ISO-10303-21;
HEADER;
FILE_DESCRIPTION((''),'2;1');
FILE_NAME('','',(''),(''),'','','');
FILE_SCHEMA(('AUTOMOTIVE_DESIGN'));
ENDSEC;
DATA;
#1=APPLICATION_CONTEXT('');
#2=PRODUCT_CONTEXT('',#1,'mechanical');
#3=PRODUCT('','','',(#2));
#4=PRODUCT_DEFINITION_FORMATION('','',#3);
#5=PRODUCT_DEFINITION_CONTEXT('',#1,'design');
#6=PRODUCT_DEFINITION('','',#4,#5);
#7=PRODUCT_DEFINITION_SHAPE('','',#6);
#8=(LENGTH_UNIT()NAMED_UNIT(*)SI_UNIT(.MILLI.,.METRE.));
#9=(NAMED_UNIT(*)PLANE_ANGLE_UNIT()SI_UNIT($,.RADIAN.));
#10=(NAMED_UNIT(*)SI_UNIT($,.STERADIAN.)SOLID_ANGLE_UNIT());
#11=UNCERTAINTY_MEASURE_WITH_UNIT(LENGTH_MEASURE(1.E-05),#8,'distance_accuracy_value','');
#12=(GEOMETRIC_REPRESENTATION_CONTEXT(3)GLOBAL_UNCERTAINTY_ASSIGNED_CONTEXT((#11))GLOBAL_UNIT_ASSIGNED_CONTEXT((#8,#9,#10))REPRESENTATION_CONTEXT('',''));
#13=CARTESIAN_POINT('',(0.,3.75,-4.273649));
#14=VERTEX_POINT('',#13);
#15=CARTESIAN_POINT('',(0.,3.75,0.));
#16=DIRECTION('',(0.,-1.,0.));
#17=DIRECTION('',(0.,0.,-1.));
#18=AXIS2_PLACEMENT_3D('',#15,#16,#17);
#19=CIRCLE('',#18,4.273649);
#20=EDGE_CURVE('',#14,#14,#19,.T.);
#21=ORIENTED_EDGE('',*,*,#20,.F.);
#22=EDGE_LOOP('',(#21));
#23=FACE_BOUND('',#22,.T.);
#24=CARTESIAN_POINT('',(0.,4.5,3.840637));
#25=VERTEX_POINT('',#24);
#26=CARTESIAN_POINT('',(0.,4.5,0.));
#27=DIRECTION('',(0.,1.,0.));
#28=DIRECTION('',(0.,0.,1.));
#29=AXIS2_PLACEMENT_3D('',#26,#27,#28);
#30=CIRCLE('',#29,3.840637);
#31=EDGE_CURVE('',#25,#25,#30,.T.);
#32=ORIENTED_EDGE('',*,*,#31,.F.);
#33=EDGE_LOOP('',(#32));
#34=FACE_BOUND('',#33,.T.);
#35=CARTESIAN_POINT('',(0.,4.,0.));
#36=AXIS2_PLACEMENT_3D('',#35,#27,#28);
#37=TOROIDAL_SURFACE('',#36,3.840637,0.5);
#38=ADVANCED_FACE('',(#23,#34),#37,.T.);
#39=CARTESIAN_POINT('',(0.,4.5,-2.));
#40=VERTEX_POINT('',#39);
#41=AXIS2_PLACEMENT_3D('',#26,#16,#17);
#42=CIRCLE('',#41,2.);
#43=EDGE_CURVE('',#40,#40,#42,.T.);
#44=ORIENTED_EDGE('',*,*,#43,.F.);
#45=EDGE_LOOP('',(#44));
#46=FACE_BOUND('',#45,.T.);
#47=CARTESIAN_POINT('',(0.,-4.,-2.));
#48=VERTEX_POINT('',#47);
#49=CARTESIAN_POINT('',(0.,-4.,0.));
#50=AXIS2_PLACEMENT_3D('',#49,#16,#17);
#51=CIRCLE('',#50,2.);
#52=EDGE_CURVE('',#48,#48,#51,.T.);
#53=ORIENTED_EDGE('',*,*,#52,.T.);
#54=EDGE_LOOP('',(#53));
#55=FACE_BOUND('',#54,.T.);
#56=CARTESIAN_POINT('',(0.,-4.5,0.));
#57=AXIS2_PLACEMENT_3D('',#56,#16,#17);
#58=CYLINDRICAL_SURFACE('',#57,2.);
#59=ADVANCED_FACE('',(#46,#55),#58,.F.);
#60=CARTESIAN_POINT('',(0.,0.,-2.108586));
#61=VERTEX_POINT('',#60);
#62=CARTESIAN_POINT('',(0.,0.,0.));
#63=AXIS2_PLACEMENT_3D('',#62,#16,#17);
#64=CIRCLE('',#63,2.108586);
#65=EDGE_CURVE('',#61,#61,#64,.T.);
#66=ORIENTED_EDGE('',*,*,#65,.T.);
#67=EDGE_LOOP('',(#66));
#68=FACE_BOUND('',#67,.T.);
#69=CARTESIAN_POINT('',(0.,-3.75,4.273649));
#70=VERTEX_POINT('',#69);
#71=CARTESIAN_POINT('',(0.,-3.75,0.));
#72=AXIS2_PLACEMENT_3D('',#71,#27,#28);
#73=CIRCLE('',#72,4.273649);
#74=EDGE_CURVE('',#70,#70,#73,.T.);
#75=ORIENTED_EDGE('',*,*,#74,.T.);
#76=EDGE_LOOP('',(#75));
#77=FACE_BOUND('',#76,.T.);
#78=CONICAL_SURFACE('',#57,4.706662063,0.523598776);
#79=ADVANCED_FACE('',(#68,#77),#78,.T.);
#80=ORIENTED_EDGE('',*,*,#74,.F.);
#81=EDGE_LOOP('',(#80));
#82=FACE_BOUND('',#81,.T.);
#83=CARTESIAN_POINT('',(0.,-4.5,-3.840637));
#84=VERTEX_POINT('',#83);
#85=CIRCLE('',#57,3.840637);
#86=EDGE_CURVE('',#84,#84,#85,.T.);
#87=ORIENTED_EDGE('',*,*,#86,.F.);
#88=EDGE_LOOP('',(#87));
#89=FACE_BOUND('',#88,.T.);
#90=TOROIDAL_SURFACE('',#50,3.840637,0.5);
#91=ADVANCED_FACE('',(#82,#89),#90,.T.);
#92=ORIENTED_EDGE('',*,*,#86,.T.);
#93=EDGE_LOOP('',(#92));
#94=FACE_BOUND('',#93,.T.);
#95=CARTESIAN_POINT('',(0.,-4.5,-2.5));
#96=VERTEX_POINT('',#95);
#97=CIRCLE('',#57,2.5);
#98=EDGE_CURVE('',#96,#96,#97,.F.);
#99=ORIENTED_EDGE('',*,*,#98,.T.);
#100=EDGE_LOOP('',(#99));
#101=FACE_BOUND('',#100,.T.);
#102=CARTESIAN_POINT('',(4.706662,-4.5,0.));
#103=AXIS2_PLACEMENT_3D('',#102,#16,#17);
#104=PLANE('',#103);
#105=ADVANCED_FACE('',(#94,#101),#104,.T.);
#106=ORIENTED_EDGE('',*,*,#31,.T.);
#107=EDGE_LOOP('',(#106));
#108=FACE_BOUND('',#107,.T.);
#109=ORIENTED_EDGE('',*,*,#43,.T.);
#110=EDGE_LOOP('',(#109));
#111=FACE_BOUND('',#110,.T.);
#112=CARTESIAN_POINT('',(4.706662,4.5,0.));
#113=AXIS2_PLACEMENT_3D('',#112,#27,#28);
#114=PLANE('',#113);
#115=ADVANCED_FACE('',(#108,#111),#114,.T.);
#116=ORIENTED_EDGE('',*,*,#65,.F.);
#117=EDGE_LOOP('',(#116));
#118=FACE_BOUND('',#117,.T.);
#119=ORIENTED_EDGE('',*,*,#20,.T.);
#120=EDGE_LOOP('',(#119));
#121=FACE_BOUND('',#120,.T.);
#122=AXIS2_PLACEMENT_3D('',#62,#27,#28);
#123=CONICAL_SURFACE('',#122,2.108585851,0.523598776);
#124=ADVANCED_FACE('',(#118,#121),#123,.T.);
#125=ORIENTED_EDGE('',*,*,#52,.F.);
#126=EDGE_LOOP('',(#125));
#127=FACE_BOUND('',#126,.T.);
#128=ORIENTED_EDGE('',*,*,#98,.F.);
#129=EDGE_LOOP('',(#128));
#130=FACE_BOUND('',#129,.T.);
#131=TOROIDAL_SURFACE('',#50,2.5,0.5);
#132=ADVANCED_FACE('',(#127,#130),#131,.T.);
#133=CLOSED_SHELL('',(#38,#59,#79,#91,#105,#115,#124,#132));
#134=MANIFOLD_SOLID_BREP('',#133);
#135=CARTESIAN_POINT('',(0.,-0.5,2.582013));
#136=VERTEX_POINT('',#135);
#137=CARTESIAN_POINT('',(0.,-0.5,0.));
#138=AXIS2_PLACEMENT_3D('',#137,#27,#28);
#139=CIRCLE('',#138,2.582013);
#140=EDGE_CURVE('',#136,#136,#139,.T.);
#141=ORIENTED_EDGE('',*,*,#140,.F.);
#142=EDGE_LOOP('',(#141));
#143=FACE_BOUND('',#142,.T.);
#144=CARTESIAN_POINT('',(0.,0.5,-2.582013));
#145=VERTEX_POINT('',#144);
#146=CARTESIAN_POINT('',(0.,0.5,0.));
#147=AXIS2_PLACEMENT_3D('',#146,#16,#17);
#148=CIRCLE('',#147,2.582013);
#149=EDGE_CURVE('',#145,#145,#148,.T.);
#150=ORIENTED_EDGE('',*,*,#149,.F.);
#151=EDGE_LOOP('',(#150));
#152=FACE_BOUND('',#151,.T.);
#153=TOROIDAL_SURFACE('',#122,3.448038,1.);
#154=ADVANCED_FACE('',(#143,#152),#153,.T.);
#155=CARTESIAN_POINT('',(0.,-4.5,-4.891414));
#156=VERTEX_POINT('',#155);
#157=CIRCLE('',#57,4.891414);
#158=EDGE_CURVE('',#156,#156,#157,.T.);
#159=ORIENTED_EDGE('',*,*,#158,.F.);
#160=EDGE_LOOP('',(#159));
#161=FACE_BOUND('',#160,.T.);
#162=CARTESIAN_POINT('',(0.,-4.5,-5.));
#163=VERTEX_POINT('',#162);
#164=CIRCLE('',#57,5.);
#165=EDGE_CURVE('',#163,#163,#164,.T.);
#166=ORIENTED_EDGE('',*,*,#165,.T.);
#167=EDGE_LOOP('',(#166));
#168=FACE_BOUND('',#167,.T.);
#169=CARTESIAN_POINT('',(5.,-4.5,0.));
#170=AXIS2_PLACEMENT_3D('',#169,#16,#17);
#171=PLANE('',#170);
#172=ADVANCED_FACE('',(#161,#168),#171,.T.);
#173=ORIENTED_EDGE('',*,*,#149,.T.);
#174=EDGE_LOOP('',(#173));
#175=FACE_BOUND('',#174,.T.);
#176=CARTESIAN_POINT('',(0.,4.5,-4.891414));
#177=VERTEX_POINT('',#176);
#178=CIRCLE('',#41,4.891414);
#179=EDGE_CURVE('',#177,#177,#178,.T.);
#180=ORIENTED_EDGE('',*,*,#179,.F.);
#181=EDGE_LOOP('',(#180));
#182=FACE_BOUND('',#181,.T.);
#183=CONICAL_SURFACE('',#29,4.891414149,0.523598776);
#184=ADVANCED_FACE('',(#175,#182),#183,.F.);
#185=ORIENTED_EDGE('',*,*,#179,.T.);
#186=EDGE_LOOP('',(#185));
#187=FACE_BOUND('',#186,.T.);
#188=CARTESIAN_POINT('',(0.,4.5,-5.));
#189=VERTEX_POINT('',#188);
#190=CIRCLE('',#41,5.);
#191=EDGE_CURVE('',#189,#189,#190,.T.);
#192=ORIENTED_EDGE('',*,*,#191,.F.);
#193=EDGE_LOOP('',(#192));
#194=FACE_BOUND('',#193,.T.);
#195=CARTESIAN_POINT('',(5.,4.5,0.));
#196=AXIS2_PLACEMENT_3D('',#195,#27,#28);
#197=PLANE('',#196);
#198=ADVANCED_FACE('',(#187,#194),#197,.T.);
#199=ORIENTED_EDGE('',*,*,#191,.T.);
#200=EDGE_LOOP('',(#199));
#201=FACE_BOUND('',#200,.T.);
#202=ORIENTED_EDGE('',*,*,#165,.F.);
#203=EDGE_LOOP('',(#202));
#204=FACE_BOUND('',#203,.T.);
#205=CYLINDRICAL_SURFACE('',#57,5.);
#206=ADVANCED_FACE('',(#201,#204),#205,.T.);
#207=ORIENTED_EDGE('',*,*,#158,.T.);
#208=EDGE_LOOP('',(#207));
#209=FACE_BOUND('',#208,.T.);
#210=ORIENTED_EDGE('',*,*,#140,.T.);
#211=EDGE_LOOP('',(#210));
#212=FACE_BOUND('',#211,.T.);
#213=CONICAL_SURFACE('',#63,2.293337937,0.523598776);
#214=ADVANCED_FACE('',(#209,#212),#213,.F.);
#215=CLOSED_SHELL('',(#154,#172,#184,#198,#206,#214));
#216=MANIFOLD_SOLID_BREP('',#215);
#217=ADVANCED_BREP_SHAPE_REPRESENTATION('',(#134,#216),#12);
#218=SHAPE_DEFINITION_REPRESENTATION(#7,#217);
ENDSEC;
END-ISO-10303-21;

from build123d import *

# Parameters (mm, degrees)
FILLET1_R = 1
FILLET8_R = 0.5


with BuildPart() as part:
    # Sketch1 → Revolve1 (revolve)
    with BuildSketch(Plane.XY):
        Polygon((5, -4.5), (4.891414149, -4.5), (2.293337937, 0), (4.891414149, 4.5), (5, 4.5), align=None)
        Polygon((2, -4.5), (2, 4.5), (4.706662063, 4.5), (2.108585851, 0), (4.706662063, -4.5), align=None)
    revolve(axis=Axis((0, -4.5, 0), (0, 1, 0)))

    # Fillet1
    fillet1_edges = [part.edges().sort_by_distance(p)[0] for p in [
        (-2.293337937, 0, 0),
    ]]
    fillet(fillet1_edges, radius=FILLET1_R)

    # Fillet8
    fillet8_edges = [part.edges().sort_by_distance(p)[0] for p in [
        (-2, -4.5, 0),
        (-4.706662063, -4.5, 0),
        (-4.706662063, 4.5, 0),
    ]]
    fillet(fillet8_edges, radius=FILLET8_R)


solid = part.part
